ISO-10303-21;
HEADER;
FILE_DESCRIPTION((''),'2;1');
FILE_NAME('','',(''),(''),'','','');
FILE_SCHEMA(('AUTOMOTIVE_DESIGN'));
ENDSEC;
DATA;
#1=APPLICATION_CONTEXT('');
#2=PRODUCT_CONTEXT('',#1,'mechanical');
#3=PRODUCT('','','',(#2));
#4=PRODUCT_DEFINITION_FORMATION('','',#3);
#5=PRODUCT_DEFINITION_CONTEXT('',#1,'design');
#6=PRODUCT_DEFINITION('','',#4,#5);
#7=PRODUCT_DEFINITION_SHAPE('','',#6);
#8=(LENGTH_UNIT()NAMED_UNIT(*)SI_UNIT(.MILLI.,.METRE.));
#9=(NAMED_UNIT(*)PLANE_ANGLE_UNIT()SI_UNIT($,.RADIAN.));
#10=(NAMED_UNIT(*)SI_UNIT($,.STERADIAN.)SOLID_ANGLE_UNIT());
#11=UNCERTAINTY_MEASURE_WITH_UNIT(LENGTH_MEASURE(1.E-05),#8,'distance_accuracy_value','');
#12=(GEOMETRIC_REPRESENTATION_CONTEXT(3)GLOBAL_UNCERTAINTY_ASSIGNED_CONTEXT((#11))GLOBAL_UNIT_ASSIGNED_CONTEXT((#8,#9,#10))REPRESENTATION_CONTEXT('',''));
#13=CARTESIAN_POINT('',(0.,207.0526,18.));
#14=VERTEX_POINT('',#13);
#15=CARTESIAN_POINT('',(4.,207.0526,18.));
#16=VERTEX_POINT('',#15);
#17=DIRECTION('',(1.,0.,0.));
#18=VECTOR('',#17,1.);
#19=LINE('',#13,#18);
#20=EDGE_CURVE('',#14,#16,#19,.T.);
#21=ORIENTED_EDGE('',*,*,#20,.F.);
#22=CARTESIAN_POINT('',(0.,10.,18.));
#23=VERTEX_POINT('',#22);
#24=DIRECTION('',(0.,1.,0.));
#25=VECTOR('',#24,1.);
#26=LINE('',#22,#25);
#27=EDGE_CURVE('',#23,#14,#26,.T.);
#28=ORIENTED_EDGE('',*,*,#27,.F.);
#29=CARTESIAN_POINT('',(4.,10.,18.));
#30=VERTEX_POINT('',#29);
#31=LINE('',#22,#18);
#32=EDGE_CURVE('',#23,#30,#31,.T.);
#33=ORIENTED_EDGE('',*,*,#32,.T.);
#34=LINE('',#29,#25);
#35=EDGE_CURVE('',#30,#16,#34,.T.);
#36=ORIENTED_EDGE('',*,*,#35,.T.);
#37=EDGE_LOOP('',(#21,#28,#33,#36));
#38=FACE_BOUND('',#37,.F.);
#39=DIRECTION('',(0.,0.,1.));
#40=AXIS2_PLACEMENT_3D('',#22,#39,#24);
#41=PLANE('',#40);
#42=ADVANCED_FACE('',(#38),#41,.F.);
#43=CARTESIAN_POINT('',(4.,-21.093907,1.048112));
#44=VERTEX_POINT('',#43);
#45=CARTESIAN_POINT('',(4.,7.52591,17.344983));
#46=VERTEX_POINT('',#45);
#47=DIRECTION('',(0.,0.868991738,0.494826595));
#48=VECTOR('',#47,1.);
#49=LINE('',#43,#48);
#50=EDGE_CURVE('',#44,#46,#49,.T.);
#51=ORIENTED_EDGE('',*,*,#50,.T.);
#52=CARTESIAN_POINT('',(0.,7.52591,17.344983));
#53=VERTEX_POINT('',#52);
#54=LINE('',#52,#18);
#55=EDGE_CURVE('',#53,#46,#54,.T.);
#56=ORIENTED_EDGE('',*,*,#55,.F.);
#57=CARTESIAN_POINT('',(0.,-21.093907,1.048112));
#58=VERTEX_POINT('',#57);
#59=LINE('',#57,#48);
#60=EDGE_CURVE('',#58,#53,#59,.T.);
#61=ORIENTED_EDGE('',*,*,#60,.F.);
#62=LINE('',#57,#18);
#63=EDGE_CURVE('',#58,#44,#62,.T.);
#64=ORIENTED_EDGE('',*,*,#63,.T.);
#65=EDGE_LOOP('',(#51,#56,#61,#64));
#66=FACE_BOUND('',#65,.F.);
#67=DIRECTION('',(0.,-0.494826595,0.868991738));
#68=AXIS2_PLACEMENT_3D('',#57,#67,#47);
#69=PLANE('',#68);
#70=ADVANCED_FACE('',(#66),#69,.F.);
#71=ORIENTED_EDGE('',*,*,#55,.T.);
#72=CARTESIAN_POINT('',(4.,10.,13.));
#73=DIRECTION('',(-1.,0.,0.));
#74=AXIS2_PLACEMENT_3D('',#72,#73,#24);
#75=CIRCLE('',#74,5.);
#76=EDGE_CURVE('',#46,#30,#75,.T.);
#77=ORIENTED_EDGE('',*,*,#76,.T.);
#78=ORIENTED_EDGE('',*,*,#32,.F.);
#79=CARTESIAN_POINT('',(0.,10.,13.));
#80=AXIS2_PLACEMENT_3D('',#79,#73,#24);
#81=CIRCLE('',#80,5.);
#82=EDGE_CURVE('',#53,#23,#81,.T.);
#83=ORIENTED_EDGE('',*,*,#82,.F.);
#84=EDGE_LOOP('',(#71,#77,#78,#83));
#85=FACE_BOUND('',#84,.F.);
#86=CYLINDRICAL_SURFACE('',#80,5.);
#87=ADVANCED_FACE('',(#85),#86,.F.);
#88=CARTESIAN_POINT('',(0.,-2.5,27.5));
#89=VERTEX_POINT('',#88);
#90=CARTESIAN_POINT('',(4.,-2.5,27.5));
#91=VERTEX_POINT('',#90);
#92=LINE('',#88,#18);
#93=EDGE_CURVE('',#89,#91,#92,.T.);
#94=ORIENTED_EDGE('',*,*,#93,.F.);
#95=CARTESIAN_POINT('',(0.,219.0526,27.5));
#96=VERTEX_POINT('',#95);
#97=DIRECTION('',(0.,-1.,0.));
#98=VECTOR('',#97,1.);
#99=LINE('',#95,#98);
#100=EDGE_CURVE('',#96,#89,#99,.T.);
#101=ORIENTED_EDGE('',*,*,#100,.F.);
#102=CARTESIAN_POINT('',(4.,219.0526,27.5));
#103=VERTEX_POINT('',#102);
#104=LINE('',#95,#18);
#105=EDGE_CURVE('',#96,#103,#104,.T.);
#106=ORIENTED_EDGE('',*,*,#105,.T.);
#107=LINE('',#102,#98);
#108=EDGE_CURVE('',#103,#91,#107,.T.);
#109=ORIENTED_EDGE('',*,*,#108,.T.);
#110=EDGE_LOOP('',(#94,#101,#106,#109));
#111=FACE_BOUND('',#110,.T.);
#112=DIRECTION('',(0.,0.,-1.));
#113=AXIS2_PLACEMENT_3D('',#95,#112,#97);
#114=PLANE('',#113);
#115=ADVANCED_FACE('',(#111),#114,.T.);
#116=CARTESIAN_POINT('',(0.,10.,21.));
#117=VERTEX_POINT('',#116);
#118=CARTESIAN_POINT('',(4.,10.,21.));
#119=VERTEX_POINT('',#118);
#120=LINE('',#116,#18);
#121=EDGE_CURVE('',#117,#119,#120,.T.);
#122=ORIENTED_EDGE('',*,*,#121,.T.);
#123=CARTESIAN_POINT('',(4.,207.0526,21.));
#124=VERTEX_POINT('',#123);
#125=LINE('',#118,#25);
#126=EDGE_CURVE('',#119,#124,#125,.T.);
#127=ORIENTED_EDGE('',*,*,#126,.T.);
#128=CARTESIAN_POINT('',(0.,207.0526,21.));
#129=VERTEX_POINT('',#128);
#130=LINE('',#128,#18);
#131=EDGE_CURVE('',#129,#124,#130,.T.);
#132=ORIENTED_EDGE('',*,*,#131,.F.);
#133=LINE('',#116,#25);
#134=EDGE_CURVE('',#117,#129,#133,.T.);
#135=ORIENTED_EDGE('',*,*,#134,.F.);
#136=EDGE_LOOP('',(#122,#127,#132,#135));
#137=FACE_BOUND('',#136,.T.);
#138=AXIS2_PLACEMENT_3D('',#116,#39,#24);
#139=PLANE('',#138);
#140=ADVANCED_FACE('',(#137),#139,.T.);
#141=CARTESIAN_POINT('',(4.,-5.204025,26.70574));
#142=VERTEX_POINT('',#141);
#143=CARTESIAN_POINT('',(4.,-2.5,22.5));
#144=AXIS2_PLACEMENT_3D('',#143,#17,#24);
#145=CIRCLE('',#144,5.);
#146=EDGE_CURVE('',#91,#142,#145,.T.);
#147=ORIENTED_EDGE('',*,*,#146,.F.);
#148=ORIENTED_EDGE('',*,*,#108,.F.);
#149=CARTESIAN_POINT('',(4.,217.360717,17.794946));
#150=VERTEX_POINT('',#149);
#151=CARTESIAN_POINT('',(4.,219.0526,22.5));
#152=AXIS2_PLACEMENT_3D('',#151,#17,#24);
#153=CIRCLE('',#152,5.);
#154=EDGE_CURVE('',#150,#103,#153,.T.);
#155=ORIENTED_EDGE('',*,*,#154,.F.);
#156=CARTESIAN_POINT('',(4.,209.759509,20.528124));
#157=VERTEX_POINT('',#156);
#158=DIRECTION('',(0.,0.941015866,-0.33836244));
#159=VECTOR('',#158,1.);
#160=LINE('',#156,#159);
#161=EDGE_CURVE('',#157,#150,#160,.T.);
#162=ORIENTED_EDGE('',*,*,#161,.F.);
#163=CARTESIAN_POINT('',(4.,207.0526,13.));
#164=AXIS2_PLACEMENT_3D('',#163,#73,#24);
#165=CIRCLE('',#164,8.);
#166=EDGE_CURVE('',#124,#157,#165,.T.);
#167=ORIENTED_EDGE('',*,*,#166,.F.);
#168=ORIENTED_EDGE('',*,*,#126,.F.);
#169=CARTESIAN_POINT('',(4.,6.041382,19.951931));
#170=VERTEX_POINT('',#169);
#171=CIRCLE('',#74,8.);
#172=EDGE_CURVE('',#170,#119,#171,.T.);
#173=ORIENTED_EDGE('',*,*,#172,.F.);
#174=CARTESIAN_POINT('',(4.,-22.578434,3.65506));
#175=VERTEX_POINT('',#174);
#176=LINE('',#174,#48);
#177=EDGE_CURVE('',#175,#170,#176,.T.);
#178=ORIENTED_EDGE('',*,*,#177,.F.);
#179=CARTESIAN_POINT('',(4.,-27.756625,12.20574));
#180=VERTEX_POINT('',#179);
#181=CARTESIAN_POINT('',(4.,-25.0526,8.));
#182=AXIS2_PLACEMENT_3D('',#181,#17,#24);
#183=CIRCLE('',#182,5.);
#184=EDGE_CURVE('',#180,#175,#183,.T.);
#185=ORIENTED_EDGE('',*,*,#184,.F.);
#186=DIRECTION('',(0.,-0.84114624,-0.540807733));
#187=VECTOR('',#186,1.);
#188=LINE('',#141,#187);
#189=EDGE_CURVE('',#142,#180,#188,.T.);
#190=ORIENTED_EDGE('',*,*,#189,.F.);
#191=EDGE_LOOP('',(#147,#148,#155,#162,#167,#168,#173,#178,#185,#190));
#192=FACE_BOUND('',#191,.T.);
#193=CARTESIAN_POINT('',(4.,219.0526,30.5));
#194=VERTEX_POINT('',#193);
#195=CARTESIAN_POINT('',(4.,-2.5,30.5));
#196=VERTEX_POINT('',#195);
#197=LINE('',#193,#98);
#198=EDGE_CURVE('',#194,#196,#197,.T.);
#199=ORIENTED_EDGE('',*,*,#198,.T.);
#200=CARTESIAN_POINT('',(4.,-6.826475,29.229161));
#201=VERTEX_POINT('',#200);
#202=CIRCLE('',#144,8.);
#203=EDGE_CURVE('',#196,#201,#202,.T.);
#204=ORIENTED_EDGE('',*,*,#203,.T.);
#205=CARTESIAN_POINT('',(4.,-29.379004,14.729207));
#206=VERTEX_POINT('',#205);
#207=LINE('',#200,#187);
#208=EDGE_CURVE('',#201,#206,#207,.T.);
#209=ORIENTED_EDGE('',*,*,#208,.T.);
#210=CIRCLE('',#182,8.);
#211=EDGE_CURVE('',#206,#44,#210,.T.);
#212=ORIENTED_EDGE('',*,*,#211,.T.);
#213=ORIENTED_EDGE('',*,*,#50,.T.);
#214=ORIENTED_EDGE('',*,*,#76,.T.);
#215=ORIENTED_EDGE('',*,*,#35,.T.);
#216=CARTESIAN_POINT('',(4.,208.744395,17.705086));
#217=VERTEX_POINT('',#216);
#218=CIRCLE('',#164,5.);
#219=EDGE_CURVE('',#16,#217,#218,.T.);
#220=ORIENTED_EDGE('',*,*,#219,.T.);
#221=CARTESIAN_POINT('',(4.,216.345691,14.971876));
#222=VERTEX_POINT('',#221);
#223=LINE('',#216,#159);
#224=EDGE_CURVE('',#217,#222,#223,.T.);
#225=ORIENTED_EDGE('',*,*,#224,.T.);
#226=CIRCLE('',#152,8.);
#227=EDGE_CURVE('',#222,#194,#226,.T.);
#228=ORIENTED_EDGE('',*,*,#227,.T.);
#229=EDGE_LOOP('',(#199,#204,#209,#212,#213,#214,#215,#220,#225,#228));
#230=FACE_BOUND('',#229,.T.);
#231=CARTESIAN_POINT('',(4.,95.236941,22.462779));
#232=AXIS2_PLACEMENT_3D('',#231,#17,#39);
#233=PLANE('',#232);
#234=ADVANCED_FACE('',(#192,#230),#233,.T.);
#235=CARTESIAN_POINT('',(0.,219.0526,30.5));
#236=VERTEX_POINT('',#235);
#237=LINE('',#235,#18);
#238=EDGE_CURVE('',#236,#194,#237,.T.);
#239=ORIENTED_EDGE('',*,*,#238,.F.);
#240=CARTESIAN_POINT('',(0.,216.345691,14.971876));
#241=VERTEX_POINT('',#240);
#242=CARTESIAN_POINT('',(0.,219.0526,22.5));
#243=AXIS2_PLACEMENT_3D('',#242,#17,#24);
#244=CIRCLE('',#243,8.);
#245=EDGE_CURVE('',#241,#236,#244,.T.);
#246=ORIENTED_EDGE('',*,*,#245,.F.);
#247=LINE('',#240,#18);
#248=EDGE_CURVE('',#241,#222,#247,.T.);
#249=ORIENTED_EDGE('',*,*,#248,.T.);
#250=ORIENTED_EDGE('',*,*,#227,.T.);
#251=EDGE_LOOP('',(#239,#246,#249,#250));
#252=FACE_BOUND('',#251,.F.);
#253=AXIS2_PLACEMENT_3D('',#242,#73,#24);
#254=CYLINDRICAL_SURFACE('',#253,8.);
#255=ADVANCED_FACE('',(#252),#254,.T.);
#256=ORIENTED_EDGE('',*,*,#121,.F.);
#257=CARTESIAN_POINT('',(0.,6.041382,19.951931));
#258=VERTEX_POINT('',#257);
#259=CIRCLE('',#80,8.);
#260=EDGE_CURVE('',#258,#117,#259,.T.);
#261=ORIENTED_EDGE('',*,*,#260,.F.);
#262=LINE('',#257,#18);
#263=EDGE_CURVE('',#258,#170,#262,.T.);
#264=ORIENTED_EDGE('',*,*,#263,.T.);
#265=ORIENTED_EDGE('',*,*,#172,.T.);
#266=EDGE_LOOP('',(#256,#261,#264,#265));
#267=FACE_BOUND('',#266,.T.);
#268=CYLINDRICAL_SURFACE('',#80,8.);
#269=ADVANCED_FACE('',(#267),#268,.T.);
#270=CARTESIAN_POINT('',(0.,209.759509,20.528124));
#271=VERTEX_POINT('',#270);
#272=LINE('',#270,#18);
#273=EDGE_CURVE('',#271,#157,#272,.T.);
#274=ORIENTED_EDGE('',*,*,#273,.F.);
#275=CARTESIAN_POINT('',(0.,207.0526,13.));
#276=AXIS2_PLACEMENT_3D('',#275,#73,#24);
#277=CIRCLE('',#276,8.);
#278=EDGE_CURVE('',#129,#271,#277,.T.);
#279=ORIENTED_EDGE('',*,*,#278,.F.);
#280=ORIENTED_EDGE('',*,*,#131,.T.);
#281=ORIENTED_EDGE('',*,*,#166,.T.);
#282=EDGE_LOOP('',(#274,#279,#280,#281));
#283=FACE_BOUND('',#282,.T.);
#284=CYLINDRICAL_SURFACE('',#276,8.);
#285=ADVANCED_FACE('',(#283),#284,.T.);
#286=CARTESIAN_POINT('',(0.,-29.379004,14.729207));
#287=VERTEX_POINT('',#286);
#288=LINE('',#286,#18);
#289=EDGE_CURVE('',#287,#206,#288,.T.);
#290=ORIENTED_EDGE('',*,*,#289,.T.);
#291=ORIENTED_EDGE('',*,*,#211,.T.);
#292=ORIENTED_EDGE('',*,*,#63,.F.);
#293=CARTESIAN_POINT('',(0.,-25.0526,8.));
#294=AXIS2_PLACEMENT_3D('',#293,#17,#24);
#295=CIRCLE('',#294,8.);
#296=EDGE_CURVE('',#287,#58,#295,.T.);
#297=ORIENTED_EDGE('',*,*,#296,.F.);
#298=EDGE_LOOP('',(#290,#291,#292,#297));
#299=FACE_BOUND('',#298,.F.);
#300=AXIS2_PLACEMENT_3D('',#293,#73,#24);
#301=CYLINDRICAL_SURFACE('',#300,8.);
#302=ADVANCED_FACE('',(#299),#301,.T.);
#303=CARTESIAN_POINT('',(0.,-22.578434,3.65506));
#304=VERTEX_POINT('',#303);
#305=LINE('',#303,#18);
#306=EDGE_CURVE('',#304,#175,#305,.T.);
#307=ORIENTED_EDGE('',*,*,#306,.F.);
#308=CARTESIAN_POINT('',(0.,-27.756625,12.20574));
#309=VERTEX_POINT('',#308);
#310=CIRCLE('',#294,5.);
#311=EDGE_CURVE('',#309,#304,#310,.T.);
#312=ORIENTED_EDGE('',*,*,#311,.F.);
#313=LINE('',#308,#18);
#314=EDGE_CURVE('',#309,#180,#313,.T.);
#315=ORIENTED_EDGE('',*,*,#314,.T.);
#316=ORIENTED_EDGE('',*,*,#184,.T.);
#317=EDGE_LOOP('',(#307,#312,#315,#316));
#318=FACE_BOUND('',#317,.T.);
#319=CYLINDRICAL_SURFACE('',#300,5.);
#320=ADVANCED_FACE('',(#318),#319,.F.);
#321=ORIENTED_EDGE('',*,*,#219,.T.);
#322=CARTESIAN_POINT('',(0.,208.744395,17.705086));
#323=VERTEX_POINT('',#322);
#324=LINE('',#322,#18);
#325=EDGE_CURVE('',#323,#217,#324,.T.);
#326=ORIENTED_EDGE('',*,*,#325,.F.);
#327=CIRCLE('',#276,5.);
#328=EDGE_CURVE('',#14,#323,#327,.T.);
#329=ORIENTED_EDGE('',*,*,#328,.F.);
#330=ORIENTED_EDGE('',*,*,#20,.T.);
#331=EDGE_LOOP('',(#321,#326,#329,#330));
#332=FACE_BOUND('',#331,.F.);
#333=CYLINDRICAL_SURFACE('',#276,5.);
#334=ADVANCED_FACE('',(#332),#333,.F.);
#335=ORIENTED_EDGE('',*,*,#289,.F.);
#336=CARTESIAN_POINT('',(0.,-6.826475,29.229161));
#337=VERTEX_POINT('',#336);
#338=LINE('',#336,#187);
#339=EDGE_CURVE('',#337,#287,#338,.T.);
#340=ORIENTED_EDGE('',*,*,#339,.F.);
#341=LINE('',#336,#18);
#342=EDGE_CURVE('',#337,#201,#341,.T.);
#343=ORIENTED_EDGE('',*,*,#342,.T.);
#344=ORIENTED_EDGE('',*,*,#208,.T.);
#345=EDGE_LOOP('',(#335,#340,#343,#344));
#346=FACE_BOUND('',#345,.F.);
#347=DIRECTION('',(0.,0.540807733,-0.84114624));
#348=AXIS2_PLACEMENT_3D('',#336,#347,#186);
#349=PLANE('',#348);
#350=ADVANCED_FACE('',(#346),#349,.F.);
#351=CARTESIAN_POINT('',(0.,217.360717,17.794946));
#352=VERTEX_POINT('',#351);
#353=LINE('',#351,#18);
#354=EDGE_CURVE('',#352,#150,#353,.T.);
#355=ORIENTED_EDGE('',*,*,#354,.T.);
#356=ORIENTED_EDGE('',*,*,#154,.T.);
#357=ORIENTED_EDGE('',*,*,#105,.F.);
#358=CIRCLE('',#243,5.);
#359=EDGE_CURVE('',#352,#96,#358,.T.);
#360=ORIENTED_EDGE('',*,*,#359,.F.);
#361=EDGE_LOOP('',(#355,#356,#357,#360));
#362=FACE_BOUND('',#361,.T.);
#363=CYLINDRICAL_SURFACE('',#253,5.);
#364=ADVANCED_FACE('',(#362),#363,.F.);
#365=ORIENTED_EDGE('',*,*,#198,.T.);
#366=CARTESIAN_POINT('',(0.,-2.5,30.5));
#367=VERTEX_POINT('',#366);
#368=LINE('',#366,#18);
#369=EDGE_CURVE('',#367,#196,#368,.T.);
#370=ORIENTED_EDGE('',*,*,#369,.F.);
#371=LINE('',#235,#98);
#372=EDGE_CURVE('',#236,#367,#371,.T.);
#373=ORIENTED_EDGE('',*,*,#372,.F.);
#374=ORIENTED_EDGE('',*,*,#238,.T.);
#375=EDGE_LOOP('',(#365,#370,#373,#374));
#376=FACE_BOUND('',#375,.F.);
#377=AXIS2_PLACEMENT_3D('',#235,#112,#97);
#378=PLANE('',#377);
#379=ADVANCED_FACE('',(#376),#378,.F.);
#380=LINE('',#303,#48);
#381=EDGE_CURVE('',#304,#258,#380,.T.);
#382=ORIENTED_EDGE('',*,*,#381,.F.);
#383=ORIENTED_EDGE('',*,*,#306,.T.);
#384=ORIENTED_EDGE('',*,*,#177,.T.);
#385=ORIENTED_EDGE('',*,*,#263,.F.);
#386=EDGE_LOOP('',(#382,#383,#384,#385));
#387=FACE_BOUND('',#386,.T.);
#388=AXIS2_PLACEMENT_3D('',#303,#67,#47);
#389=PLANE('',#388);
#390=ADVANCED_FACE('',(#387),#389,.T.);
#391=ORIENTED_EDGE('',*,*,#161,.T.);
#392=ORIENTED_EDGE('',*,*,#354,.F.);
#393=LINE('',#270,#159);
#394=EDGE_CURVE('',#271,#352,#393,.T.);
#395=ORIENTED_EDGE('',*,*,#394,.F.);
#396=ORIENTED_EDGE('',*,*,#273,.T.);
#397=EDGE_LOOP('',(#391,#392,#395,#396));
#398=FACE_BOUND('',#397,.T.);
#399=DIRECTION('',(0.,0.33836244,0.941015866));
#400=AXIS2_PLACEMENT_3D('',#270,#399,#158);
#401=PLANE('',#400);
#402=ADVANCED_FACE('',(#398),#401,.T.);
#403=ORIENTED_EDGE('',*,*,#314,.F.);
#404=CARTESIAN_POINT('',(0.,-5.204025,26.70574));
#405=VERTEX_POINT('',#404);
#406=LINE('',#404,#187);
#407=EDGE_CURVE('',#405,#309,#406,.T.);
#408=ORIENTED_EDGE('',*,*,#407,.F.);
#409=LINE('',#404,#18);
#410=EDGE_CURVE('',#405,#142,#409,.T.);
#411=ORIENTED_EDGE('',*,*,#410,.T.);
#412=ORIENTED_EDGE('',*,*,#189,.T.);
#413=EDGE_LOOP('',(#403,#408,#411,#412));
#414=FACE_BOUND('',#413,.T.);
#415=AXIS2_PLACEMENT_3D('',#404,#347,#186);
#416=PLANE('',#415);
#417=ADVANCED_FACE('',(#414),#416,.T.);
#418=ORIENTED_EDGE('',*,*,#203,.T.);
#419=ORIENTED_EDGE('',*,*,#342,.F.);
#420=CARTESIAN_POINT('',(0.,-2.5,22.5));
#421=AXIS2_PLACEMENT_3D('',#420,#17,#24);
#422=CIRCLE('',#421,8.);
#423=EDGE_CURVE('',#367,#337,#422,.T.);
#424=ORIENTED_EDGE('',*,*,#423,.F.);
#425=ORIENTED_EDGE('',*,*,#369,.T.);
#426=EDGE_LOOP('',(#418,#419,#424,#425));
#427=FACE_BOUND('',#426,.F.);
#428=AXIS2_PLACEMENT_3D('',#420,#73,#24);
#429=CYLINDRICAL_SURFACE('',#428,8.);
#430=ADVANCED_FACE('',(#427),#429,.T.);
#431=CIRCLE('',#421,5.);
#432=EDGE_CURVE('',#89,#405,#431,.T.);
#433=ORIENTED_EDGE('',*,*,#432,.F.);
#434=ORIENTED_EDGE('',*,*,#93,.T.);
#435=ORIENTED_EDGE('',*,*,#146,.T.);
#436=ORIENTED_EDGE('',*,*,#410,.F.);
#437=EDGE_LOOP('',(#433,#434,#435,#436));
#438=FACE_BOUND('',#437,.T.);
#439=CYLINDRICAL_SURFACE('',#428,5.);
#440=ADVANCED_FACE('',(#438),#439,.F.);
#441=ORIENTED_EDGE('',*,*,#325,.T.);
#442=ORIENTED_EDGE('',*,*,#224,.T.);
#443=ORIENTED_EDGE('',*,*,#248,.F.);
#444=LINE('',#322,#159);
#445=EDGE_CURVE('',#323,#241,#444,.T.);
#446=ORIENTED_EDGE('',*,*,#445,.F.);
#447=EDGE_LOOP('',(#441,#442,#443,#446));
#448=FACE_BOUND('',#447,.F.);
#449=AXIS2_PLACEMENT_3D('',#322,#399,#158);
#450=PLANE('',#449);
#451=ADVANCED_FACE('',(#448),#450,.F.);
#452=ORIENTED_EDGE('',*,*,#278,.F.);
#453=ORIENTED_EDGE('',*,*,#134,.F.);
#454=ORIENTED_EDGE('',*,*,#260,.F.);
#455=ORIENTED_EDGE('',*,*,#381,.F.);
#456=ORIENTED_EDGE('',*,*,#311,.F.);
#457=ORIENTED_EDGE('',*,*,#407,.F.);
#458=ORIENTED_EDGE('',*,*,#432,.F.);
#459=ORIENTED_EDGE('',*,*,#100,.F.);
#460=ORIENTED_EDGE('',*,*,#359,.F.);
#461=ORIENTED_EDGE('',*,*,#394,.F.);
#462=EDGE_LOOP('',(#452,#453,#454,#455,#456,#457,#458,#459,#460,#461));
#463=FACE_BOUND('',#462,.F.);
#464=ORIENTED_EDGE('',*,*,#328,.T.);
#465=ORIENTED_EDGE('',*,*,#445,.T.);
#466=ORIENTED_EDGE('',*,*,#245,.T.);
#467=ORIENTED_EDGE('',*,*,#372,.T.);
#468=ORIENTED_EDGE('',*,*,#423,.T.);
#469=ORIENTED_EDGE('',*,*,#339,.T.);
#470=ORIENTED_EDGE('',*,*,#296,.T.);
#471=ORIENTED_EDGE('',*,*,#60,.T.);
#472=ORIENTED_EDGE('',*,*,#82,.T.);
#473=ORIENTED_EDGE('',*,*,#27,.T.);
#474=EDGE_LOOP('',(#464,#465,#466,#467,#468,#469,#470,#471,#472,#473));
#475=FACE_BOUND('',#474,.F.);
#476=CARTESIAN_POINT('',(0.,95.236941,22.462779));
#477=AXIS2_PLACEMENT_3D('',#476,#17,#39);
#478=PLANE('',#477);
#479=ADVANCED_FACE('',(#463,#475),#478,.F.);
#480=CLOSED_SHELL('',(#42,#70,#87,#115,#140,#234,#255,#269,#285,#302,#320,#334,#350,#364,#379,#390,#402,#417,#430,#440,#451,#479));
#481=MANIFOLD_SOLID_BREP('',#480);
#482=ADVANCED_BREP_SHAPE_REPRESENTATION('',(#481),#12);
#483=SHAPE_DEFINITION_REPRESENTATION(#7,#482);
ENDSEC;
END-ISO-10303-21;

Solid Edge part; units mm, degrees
sketch "Sketch1" plane through (0, 0, 0) normal (1, 0, 0) x (0, 1, 0)
  line L0 (219.0526, 30.5) -> (-2.5, 30.5)
  arc A0 (-2.5, 30.5) -> (-6.8265, 29.2292) centre (-2.5, 22.5) ccw
  line L1 (-6.8265, 29.2292) -> (-29.379, 14.7292)
  arc A1 (-29.379, 14.7292) -> (-21.0939, 1.0481) centre (-25.0526, 8) ccw
  line L2 (-21.0939, 1.0481) -> (7.5259, 17.345)
  arc A2 (7.5259, 17.345) -> (10, 18) centre (10, 13) cw
  line L3 (10, 18) -> (207.0526, 18)
  arc A3 (207.0526, 18) -> (208.7444, 17.7051) centre (207.0526, 13) cw
  line L4 (208.7444, 17.7051) -> (216.3457, 14.9719)
  arc A4 (216.3457, 14.9719) -> (219.0526, 30.5) centre (219.0526, 22.5) ccw
  line L5 (219.0526, 27.5) -> (-2.5, 27.5)
  arc A5 (-2.5, 27.5) -> (-5.204, 26.7057) centre (-2.5, 22.5) ccw
  line L6 (-5.204, 26.7057) -> (-27.7566, 12.2057)
  arc A6 (-27.7566, 12.2057) -> (-22.5784, 3.655) centre (-25.0526, 8) ccw
  line L7 (-22.5784, 3.655) -> (6.0414, 19.9519)
  arc A7 (6.0414, 19.9519) -> (10, 21) centre (10, 13) cw
  line L8 (10, 21) -> (207.0526, 21)
  arc A8 (207.0526, 21) -> (209.7595, 20.5281) centre (207.0526, 13) cw
  line L9 (209.7595, 20.5281) -> (217.3607, 17.7949)
  arc A9 (217.3607, 17.7949) -> (219.0526, 27.5) centre (219.0526, 22.5) ccw
  dimension "D1" = 1.5
  dimension "D2" = 1.5
  dimension "D3" = 1.5
  dimension "D4" = 1.5
  dimension "D5" = 1.5
  dimension "D6" = 1.5
extrude "Protrusion1" add sketch "Sketch1" along normal blind 4
properties material "Steel"
